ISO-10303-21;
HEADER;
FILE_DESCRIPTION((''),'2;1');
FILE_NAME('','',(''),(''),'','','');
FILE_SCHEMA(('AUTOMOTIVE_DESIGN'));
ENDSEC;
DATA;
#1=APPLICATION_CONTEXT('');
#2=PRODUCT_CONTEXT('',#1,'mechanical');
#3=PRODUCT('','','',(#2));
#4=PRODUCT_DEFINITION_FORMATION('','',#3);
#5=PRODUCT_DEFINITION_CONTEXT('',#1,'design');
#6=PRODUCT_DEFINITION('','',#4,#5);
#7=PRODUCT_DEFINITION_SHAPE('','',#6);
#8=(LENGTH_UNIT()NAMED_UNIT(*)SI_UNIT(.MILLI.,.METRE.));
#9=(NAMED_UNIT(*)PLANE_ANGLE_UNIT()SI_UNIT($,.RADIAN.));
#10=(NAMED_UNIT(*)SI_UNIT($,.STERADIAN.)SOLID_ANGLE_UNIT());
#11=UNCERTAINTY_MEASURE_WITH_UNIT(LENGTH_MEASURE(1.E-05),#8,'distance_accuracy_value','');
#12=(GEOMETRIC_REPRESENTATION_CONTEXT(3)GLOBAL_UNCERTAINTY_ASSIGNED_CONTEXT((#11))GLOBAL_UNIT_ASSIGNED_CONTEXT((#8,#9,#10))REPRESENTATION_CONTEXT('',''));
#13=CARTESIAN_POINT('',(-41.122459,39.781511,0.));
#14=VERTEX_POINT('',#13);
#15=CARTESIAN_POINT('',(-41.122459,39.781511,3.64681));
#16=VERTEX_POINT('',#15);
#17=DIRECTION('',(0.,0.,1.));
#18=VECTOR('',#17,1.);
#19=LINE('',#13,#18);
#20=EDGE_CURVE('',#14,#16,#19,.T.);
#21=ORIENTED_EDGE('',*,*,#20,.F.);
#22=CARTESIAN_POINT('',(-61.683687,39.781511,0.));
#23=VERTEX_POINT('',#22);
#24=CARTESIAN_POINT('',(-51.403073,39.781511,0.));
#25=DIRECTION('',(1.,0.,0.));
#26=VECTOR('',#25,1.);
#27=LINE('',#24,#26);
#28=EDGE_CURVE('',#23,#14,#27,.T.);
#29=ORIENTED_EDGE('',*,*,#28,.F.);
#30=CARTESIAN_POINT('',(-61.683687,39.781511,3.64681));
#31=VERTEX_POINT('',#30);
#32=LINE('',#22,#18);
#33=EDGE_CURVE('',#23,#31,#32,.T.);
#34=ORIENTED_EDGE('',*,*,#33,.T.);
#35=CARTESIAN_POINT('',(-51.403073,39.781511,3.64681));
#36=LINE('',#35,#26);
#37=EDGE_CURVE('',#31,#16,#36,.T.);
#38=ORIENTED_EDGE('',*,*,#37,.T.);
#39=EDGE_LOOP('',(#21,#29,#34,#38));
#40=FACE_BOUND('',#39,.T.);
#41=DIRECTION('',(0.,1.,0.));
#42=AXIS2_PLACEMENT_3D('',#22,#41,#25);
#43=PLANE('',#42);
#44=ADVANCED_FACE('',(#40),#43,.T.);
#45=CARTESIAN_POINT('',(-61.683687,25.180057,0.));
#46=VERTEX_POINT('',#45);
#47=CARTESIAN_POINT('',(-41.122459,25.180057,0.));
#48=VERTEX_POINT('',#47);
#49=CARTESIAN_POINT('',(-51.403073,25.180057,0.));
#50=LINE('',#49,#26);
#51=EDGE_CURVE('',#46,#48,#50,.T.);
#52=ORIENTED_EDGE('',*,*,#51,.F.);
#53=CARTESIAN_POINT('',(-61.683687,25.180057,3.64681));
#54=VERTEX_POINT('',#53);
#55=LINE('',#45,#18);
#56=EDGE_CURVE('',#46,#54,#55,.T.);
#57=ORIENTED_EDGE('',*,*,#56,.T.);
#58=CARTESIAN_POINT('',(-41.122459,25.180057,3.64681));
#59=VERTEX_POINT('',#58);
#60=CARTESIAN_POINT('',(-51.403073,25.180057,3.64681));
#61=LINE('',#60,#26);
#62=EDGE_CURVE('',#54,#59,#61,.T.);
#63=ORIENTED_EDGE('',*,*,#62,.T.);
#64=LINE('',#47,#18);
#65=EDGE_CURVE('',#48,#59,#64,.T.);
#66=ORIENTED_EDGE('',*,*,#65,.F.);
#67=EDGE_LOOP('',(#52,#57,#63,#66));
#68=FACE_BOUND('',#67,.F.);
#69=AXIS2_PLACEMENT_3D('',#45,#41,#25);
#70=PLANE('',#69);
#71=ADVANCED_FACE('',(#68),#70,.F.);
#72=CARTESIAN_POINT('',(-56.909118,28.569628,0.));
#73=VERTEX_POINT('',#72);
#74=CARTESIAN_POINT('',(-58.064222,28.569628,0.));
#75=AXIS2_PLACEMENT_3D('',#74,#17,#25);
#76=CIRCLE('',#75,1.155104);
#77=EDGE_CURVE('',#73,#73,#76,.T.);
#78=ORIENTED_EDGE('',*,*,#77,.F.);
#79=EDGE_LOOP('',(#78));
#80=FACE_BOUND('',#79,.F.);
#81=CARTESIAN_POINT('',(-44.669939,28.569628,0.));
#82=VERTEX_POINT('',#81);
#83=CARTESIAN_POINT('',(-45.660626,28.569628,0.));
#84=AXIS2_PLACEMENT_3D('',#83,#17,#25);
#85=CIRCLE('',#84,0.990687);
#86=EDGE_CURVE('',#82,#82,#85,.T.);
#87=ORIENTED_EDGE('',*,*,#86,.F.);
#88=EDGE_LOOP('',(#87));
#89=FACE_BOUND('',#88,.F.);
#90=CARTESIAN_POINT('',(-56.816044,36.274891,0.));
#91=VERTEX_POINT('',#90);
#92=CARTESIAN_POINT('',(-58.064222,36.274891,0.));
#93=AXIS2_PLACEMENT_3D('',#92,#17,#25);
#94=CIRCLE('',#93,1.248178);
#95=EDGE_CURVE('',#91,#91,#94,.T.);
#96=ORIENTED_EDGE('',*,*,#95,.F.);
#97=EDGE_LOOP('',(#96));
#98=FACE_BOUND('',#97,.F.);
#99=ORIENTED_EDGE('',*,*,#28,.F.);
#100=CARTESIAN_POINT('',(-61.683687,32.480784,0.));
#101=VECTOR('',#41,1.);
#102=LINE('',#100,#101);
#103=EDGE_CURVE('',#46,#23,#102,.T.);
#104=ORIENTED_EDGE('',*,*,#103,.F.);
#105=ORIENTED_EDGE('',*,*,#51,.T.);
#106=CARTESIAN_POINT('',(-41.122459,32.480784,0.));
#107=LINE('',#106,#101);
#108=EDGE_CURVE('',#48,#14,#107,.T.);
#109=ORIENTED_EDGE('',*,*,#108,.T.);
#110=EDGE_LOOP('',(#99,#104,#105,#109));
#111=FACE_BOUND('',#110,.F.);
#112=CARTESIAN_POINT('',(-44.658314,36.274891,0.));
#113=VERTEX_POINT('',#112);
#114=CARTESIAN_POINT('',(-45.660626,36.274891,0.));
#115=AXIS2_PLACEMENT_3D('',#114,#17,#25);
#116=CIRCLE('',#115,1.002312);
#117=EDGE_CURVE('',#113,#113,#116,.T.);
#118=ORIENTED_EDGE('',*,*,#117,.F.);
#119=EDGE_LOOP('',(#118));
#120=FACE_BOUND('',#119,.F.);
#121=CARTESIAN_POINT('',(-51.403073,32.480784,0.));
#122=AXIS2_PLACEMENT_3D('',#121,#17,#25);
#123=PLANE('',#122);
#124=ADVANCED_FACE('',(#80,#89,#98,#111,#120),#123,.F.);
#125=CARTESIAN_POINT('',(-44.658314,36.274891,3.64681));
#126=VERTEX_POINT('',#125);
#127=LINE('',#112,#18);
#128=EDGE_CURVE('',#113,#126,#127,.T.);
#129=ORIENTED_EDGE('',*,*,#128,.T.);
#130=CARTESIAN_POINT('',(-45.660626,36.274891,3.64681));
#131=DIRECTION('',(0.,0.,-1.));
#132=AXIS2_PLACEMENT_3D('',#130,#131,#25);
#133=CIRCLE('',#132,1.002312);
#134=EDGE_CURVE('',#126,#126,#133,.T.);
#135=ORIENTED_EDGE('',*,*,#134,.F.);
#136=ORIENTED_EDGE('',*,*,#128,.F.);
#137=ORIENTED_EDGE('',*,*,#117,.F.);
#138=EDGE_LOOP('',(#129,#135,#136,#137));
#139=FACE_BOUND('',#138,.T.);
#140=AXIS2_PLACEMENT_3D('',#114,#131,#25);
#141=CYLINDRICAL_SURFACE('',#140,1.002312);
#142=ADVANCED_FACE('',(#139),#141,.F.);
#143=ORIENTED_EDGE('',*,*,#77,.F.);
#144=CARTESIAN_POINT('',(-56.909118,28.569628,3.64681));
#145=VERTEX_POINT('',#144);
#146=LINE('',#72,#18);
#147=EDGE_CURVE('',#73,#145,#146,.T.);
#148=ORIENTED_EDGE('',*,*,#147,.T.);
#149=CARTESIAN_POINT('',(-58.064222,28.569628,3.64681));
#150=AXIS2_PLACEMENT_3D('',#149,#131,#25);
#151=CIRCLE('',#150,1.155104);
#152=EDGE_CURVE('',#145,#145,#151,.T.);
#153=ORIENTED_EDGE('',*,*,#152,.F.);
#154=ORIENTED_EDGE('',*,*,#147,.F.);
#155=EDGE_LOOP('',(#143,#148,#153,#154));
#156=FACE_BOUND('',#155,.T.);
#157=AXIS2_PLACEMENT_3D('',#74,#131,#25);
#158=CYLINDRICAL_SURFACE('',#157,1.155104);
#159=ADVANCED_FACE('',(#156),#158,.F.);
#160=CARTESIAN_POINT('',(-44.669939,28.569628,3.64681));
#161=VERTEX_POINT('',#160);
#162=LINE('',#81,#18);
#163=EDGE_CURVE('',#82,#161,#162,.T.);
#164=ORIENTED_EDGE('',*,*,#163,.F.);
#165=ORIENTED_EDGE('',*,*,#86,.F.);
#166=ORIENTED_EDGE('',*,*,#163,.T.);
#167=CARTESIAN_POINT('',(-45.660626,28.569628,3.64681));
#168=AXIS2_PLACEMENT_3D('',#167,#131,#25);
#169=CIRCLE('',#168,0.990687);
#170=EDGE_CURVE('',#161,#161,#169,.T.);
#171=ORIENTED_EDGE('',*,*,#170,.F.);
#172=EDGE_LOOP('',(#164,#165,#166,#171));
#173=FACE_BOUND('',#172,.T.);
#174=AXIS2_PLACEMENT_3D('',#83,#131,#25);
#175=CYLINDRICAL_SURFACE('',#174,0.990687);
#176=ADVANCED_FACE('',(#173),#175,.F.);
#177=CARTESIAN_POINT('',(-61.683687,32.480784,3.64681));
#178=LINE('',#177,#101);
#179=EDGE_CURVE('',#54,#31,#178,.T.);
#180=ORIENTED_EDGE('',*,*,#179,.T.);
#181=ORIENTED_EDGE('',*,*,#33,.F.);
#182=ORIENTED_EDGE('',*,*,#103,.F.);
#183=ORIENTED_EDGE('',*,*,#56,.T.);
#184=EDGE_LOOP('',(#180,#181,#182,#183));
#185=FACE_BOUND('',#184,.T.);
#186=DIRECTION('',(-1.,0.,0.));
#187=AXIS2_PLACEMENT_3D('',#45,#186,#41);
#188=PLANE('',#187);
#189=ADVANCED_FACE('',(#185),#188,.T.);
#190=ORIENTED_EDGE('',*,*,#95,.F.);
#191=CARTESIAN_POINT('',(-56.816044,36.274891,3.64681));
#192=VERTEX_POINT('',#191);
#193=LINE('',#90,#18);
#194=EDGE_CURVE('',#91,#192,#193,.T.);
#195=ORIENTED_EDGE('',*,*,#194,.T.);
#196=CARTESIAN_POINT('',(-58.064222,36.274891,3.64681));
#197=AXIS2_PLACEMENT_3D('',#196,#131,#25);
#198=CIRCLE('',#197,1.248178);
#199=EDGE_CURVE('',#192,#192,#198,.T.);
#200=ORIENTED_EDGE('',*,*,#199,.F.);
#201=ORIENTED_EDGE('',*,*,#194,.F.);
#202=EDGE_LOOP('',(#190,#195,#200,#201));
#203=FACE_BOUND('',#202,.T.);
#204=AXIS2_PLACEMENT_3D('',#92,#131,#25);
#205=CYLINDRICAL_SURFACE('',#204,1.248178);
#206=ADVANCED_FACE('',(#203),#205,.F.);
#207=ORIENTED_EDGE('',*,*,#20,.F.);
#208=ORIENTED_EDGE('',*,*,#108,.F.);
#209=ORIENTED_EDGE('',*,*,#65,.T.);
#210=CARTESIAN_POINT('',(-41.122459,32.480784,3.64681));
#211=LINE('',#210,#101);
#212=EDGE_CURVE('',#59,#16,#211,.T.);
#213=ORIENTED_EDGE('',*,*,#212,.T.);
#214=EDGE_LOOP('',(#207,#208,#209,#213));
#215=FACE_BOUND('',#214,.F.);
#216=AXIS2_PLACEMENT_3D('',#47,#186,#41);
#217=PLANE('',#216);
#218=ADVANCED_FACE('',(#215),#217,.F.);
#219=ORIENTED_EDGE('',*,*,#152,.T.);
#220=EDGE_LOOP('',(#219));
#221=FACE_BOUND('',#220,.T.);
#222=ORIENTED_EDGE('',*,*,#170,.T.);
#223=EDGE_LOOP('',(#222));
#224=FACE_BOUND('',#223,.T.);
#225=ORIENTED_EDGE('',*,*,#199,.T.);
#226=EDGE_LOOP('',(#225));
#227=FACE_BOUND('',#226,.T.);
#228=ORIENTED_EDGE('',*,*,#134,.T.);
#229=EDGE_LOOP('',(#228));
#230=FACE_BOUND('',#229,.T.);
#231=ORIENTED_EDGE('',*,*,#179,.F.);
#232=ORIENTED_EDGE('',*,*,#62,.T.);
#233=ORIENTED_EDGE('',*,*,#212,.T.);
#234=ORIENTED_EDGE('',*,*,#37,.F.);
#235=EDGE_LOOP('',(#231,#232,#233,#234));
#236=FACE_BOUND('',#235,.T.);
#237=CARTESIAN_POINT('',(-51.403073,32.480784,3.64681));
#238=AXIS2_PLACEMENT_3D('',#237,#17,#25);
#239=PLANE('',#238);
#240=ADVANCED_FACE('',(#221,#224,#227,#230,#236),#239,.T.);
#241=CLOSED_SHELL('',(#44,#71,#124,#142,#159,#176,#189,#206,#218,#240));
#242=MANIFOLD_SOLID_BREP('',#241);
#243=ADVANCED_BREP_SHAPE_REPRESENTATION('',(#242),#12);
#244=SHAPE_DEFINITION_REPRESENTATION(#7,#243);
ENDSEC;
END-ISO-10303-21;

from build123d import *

# Parameters (mm, degrees)
F0_W     = 20.561229
F0_H     = 14.601454
F1_DEPTH = 3.64681
F2_R     = 1.248178
F2_R_2   = 1.002312
F2_R_3   = 1.155104
F2_R_4   = 0.990687
F3_DEPTH = 25.4


with BuildPart() as f1:
    # F0 (on Top) → F1 (new body)
    with BuildSketch(Plane.XY):
        with Locations((-51.403073, 32.480784)):
            Rectangle(F0_W, F0_H)
    extrude(amount=F1_DEPTH)

    # F2 (on Top) → F3 (cut)
    with BuildSketch(Plane.XY):
        with Locations((-58.064222, 36.274891)):
            Circle(F2_R)
        with Locations((-45.660626, 36.274891)):
            Circle(F2_R_2)
        with Locations((-58.064222, 28.569628)):
            Circle(F2_R_3)
        with Locations((-45.660626, 28.569628)):
            Circle(F2_R_4)
    extrude(amount=F3_DEPTH, mode=Mode.SUBTRACT)


solid = f1.part
